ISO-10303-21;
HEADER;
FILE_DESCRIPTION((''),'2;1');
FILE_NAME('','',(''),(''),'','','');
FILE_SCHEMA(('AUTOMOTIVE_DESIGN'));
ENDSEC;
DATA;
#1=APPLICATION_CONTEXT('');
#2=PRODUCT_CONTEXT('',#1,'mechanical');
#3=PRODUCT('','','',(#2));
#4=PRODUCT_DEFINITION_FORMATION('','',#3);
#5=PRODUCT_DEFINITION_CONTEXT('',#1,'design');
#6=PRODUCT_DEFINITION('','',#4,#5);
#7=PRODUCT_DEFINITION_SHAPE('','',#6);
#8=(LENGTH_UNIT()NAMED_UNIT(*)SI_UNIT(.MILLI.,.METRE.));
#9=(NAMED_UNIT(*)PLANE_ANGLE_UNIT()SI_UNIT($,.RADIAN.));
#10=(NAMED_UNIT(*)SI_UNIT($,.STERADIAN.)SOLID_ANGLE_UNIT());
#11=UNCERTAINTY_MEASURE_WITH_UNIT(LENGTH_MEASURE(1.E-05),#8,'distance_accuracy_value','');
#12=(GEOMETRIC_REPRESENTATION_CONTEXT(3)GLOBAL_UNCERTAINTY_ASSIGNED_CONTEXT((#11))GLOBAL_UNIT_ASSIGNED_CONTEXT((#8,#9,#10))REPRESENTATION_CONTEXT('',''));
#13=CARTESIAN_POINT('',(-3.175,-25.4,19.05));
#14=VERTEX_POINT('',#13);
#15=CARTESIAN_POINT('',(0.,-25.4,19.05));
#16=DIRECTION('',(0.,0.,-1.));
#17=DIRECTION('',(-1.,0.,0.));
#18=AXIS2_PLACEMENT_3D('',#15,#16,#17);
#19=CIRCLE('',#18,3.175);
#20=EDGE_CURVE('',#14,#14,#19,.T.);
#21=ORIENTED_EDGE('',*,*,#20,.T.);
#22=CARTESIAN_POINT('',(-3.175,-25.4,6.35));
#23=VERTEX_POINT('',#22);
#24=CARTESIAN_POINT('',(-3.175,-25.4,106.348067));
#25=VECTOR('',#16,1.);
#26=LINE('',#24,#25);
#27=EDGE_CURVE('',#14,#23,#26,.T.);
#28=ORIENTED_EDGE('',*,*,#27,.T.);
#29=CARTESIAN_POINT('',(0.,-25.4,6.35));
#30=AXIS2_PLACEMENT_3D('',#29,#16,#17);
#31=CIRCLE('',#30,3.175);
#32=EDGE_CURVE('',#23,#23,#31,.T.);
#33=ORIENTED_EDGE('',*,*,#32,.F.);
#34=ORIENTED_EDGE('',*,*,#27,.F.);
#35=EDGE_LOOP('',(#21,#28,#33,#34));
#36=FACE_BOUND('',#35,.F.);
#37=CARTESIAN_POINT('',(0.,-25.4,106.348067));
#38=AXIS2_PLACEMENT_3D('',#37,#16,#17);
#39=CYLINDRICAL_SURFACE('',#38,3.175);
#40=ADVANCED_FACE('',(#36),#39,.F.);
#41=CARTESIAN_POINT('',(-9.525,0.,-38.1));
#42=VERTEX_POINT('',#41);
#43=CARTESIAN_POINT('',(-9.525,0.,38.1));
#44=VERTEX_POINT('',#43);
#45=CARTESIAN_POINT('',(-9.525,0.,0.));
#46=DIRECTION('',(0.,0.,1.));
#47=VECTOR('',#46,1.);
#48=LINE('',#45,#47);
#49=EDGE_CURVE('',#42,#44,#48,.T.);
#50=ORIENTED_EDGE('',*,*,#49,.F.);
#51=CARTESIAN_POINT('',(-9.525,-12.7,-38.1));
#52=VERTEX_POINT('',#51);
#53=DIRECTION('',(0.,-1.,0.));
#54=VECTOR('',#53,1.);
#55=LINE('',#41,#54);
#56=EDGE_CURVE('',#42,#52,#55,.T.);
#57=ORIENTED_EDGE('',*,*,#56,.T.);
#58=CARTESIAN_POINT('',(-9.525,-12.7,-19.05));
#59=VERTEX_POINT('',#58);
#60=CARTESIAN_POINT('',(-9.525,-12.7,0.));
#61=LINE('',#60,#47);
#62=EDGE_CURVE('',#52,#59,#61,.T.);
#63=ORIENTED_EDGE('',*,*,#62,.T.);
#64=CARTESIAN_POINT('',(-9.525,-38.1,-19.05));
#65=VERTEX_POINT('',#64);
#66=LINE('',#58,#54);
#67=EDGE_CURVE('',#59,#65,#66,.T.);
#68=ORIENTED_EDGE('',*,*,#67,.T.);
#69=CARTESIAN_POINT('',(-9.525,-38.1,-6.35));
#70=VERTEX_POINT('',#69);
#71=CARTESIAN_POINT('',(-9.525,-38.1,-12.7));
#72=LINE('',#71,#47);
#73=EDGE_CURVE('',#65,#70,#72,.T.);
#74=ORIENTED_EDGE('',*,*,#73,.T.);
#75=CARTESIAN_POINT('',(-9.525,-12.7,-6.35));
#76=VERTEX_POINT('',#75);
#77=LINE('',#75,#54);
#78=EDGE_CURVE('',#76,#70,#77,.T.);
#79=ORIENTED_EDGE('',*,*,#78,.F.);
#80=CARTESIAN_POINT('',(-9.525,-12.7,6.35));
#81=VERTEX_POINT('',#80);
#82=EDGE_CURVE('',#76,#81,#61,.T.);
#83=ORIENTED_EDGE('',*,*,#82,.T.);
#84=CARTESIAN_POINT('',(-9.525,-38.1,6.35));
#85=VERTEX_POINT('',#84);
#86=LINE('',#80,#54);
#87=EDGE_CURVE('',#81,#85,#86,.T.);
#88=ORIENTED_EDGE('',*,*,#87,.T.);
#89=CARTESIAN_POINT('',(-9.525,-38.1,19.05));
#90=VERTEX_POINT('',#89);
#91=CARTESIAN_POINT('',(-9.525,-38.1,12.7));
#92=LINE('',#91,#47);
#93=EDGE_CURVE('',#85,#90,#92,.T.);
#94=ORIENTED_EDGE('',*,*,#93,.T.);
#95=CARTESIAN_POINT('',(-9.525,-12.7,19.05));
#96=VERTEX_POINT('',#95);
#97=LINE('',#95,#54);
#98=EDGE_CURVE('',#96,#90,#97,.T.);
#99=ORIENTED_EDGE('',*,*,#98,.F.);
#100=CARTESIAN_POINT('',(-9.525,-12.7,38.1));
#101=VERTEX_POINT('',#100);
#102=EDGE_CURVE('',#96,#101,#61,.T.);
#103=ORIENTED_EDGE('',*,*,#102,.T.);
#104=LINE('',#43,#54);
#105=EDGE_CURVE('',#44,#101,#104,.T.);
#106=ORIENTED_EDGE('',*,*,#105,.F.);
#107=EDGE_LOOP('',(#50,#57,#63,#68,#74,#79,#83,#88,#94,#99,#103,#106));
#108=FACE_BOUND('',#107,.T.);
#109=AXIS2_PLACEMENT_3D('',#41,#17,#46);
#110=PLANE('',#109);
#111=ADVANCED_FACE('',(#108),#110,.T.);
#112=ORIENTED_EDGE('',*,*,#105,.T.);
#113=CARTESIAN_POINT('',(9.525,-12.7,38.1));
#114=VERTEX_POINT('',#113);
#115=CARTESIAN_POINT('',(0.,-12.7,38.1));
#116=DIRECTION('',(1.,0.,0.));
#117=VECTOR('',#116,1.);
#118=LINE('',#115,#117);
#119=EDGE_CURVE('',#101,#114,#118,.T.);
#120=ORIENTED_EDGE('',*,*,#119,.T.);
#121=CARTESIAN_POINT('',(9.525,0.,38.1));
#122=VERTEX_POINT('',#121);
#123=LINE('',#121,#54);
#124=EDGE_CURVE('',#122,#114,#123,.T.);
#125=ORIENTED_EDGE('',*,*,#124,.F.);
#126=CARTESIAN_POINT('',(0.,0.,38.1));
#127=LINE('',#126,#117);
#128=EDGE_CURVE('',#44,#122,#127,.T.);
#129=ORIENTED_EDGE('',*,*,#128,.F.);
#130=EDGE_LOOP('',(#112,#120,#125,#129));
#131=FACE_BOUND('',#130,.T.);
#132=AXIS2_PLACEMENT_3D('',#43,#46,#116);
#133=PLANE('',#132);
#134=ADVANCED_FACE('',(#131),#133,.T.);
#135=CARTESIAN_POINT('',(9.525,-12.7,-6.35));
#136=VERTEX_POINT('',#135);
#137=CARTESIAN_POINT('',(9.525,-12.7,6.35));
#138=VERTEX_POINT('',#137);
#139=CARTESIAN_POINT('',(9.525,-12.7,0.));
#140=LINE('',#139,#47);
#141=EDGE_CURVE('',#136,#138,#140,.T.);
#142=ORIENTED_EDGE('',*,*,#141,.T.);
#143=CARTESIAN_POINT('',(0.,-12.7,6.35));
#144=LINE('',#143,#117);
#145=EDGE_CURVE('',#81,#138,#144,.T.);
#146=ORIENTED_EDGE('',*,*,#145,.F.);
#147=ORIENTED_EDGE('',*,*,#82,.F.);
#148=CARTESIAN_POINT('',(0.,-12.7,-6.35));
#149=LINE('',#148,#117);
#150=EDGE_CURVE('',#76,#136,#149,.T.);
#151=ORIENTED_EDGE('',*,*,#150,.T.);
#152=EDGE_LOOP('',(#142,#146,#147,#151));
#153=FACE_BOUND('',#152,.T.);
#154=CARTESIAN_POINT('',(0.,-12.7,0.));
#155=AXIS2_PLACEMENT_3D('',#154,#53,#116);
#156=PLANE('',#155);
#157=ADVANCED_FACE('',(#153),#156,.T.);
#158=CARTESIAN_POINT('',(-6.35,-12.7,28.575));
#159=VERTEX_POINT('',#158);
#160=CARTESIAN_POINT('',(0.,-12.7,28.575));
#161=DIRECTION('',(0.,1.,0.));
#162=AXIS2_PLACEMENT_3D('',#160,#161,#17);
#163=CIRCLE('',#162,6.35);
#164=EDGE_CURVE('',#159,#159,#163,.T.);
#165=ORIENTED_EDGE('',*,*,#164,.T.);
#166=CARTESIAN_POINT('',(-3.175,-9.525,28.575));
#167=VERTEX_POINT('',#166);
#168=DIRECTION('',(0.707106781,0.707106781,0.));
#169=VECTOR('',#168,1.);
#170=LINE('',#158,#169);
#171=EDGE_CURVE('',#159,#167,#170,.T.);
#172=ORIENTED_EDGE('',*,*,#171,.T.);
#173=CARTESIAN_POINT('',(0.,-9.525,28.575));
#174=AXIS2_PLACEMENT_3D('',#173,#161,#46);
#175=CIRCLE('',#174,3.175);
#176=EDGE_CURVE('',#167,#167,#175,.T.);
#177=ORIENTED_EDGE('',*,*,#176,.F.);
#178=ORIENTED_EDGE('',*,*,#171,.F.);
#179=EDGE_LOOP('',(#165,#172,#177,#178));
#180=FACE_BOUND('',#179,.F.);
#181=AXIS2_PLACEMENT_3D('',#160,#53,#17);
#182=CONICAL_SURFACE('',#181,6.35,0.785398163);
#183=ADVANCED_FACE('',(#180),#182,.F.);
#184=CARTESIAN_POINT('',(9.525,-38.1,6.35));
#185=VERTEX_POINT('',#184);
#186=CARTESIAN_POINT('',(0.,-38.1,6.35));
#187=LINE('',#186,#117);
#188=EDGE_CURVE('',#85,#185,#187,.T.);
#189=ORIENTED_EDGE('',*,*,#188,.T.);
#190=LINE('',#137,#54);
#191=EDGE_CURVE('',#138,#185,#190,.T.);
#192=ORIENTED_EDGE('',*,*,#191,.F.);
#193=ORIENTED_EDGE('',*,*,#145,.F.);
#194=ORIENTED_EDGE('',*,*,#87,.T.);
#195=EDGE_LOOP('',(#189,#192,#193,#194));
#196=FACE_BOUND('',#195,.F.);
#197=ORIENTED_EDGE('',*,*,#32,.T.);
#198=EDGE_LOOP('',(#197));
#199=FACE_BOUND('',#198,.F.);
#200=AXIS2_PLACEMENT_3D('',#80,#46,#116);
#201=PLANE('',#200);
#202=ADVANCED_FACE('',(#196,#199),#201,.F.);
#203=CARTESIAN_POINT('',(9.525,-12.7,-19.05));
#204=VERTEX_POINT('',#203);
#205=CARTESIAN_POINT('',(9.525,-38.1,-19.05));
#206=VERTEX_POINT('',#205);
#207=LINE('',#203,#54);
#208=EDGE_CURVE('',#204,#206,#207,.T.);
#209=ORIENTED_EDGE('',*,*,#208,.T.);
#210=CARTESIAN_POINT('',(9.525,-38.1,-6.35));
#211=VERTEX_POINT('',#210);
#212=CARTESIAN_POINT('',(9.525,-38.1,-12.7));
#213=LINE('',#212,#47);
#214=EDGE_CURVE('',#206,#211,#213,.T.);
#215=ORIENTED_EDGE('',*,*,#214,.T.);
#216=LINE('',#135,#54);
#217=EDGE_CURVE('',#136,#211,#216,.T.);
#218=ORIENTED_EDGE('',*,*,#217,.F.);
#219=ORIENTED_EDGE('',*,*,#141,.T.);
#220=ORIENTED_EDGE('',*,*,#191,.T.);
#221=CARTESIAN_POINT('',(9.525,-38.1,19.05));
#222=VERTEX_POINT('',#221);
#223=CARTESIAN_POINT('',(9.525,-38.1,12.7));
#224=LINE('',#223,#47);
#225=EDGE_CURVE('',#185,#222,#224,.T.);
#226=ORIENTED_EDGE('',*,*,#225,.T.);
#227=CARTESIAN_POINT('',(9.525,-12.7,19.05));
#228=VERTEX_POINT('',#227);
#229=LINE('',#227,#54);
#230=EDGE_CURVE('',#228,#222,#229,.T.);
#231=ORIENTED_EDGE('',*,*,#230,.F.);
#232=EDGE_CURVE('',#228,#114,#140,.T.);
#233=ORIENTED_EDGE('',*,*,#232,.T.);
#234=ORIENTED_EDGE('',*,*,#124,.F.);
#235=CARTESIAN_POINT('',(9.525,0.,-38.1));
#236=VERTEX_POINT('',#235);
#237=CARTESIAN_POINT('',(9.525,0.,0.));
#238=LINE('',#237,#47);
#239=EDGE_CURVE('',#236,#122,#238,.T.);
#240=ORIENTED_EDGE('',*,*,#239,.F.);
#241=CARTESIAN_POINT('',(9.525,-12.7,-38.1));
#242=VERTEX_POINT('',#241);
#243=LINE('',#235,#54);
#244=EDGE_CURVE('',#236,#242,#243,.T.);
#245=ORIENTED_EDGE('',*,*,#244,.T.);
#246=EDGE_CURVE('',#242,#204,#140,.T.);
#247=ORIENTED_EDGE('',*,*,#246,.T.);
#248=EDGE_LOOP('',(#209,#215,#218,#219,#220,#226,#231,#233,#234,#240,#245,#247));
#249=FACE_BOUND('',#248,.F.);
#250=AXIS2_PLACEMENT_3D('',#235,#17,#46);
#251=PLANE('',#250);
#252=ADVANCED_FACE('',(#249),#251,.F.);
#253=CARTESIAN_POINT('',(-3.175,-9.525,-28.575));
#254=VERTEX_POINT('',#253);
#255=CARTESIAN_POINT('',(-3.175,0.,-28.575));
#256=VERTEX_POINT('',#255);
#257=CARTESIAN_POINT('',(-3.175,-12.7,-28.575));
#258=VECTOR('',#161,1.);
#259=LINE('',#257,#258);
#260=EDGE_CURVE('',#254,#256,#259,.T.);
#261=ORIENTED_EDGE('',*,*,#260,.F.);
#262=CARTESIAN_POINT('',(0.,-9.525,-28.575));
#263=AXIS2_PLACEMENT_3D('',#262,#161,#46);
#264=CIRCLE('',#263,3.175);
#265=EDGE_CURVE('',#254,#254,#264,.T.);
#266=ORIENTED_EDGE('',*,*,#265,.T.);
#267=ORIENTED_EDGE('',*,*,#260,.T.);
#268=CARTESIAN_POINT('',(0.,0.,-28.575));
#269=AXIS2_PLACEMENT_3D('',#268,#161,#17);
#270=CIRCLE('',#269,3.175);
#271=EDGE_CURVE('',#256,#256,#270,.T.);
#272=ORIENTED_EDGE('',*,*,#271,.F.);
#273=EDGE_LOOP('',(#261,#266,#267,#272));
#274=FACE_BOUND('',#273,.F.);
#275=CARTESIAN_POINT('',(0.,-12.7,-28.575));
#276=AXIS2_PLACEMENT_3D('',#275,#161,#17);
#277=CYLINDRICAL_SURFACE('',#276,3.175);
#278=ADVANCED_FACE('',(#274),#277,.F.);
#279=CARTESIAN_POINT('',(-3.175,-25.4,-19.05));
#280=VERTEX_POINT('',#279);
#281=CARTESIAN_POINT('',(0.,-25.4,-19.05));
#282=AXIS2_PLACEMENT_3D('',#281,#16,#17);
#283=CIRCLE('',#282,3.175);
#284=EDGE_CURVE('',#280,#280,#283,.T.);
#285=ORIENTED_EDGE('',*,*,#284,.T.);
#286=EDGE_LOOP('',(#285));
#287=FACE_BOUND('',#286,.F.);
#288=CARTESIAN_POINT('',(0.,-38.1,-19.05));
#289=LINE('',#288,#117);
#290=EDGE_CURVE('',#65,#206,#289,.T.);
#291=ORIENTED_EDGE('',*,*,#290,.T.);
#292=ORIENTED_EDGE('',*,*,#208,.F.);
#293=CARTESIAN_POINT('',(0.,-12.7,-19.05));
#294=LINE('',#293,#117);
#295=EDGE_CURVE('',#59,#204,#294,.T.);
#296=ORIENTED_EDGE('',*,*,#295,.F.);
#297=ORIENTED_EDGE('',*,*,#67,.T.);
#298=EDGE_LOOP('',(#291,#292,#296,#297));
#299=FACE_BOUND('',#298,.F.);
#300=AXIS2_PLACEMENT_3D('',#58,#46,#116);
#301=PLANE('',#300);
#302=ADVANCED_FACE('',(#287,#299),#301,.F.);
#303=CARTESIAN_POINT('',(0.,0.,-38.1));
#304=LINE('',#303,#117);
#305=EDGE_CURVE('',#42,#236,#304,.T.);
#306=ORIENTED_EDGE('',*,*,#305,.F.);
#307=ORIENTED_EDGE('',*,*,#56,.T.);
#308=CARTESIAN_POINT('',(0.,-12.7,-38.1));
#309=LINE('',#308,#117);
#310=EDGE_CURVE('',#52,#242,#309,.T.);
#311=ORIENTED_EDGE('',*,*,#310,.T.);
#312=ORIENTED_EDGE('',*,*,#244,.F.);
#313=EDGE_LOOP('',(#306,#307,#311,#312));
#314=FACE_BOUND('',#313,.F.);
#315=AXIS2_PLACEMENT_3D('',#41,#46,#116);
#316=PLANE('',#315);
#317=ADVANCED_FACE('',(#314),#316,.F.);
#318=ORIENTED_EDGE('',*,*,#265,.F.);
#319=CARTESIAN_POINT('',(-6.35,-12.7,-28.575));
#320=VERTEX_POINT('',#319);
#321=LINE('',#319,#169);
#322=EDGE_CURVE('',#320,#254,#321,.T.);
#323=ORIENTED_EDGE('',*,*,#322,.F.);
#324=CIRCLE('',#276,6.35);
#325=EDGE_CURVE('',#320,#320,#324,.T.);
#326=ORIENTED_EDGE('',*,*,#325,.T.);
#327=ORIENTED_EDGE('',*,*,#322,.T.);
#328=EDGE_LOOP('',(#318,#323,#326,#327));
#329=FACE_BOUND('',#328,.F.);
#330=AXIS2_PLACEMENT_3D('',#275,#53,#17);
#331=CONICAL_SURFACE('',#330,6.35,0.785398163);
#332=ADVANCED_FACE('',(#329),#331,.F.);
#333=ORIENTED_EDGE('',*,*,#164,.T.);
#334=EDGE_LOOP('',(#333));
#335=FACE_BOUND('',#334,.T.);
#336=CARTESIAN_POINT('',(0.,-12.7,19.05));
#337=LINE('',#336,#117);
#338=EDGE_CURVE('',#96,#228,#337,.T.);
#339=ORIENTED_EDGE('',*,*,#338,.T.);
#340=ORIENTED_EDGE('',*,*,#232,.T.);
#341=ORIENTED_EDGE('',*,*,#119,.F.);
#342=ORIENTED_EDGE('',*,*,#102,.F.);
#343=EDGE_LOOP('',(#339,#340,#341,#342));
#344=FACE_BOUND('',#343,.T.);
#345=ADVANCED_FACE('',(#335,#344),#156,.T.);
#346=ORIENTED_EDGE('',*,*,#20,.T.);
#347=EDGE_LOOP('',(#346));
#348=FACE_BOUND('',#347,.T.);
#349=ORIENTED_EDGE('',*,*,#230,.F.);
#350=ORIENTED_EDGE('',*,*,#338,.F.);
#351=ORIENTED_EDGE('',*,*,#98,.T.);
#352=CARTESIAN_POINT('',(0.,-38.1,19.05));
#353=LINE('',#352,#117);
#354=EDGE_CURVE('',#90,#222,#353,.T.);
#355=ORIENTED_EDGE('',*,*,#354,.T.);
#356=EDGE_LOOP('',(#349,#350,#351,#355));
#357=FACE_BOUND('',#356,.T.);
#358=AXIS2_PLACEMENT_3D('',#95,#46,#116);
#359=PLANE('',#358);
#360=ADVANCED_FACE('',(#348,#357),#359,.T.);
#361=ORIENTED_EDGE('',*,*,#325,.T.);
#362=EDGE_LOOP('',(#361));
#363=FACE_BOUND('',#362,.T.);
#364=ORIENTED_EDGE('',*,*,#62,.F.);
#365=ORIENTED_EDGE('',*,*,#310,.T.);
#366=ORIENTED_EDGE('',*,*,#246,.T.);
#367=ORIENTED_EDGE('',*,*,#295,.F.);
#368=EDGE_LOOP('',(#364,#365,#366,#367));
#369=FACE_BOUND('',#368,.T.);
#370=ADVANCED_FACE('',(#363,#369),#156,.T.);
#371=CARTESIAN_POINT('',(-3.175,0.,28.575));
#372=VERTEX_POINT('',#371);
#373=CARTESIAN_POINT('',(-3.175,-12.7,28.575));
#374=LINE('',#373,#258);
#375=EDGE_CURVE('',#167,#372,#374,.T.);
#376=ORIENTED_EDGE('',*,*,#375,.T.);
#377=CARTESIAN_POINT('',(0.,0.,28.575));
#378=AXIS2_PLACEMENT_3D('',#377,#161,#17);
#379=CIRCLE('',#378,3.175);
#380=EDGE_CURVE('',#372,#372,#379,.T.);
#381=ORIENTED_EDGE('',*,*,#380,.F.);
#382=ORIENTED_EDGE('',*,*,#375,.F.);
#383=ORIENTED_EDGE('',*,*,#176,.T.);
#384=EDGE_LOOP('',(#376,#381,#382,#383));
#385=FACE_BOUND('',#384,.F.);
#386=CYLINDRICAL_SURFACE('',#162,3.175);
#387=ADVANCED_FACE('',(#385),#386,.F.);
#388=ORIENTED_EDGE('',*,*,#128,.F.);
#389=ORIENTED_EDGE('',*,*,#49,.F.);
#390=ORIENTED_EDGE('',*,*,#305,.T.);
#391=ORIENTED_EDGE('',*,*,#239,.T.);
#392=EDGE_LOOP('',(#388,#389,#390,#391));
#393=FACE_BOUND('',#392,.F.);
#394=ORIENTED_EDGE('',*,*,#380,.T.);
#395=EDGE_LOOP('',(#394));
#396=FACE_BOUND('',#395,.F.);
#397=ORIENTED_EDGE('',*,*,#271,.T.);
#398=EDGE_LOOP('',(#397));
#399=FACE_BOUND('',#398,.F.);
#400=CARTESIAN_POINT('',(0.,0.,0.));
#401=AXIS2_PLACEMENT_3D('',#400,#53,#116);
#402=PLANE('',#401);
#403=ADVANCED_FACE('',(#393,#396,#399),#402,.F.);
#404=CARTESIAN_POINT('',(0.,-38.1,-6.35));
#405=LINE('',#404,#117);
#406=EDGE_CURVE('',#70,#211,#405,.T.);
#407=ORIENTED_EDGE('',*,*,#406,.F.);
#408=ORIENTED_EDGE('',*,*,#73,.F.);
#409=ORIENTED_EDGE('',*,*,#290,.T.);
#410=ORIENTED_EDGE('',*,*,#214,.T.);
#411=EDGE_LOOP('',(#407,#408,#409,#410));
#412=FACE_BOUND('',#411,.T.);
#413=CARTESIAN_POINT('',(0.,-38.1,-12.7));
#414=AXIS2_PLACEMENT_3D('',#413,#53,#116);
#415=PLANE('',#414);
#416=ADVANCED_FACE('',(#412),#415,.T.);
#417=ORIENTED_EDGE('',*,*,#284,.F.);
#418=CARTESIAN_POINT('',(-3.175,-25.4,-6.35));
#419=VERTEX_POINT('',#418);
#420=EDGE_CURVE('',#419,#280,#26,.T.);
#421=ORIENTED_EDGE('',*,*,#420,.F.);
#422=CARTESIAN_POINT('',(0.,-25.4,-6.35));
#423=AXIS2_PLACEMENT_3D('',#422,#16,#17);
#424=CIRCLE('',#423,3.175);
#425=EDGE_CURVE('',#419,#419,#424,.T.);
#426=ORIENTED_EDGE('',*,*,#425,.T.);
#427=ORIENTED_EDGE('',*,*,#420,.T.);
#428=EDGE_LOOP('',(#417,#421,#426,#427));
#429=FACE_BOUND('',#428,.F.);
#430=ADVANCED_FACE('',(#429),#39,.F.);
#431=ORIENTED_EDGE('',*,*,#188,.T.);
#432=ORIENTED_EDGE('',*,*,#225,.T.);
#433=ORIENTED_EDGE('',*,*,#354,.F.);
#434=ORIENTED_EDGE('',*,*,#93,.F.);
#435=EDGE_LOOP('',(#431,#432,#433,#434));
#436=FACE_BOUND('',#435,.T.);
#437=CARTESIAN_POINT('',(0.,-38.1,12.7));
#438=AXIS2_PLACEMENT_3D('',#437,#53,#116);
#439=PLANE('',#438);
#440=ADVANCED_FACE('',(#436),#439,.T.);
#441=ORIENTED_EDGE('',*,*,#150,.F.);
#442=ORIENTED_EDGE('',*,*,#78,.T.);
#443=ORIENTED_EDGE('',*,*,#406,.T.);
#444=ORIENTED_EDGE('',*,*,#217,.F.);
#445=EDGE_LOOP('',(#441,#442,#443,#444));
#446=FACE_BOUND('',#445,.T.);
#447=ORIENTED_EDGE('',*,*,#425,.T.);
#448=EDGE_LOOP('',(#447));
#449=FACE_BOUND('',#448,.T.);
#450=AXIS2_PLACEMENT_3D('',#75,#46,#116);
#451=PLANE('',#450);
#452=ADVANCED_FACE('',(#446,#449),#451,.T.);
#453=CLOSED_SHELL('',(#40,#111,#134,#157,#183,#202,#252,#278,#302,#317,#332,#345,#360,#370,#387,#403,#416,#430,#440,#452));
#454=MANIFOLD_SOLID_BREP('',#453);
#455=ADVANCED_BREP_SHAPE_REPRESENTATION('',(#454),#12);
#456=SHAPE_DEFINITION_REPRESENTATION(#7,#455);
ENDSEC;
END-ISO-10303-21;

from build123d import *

# Parameters (mm, degrees)
F0_W           = 19.05
F0_H           = 76.2
F1_DEPTH       = 12.7
F2_W           = 19.05
F2_H           = 12.7
F3_DEPTH       = 25.4
F5_D           = 6.35
F7_D           = 6.35
F7_CSINK_D     = 12.7
F7_CSINK_ANGLE = 90


with BuildPart() as f1:
    # F0 (on Front) → F1 (new body)
    with BuildSketch(Plane.XZ):
        Rectangle(F0_W, F0_H)
    extrude(amount=F1_DEPTH)

    # F2 (on face) → F3 (join)
    with BuildSketch(Plane.XZ.offset(12.7)):
        with Locations((0, -12.7)):
            Rectangle(F2_W, F2_H)
        with Locations((0, 12.7)):
            Rectangle(F2_W, F2_H)
    extrude(amount=F3_DEPTH)

    # F5 (through all)
    with Locations(Plane.XY.offset(19.05)):
        with Locations((0, -25.4)):
            Hole(F5_D / 2)

    # F7 (through all)
    with Locations(Plane.XZ.offset(12.7)):
        with Locations((0, 28.575), (0, -28.575)):
            CounterSinkHole(F7_D / 2, F7_CSINK_D / 2, counter_sink_angle=F7_CSINK_ANGLE)


solid = f1.part
